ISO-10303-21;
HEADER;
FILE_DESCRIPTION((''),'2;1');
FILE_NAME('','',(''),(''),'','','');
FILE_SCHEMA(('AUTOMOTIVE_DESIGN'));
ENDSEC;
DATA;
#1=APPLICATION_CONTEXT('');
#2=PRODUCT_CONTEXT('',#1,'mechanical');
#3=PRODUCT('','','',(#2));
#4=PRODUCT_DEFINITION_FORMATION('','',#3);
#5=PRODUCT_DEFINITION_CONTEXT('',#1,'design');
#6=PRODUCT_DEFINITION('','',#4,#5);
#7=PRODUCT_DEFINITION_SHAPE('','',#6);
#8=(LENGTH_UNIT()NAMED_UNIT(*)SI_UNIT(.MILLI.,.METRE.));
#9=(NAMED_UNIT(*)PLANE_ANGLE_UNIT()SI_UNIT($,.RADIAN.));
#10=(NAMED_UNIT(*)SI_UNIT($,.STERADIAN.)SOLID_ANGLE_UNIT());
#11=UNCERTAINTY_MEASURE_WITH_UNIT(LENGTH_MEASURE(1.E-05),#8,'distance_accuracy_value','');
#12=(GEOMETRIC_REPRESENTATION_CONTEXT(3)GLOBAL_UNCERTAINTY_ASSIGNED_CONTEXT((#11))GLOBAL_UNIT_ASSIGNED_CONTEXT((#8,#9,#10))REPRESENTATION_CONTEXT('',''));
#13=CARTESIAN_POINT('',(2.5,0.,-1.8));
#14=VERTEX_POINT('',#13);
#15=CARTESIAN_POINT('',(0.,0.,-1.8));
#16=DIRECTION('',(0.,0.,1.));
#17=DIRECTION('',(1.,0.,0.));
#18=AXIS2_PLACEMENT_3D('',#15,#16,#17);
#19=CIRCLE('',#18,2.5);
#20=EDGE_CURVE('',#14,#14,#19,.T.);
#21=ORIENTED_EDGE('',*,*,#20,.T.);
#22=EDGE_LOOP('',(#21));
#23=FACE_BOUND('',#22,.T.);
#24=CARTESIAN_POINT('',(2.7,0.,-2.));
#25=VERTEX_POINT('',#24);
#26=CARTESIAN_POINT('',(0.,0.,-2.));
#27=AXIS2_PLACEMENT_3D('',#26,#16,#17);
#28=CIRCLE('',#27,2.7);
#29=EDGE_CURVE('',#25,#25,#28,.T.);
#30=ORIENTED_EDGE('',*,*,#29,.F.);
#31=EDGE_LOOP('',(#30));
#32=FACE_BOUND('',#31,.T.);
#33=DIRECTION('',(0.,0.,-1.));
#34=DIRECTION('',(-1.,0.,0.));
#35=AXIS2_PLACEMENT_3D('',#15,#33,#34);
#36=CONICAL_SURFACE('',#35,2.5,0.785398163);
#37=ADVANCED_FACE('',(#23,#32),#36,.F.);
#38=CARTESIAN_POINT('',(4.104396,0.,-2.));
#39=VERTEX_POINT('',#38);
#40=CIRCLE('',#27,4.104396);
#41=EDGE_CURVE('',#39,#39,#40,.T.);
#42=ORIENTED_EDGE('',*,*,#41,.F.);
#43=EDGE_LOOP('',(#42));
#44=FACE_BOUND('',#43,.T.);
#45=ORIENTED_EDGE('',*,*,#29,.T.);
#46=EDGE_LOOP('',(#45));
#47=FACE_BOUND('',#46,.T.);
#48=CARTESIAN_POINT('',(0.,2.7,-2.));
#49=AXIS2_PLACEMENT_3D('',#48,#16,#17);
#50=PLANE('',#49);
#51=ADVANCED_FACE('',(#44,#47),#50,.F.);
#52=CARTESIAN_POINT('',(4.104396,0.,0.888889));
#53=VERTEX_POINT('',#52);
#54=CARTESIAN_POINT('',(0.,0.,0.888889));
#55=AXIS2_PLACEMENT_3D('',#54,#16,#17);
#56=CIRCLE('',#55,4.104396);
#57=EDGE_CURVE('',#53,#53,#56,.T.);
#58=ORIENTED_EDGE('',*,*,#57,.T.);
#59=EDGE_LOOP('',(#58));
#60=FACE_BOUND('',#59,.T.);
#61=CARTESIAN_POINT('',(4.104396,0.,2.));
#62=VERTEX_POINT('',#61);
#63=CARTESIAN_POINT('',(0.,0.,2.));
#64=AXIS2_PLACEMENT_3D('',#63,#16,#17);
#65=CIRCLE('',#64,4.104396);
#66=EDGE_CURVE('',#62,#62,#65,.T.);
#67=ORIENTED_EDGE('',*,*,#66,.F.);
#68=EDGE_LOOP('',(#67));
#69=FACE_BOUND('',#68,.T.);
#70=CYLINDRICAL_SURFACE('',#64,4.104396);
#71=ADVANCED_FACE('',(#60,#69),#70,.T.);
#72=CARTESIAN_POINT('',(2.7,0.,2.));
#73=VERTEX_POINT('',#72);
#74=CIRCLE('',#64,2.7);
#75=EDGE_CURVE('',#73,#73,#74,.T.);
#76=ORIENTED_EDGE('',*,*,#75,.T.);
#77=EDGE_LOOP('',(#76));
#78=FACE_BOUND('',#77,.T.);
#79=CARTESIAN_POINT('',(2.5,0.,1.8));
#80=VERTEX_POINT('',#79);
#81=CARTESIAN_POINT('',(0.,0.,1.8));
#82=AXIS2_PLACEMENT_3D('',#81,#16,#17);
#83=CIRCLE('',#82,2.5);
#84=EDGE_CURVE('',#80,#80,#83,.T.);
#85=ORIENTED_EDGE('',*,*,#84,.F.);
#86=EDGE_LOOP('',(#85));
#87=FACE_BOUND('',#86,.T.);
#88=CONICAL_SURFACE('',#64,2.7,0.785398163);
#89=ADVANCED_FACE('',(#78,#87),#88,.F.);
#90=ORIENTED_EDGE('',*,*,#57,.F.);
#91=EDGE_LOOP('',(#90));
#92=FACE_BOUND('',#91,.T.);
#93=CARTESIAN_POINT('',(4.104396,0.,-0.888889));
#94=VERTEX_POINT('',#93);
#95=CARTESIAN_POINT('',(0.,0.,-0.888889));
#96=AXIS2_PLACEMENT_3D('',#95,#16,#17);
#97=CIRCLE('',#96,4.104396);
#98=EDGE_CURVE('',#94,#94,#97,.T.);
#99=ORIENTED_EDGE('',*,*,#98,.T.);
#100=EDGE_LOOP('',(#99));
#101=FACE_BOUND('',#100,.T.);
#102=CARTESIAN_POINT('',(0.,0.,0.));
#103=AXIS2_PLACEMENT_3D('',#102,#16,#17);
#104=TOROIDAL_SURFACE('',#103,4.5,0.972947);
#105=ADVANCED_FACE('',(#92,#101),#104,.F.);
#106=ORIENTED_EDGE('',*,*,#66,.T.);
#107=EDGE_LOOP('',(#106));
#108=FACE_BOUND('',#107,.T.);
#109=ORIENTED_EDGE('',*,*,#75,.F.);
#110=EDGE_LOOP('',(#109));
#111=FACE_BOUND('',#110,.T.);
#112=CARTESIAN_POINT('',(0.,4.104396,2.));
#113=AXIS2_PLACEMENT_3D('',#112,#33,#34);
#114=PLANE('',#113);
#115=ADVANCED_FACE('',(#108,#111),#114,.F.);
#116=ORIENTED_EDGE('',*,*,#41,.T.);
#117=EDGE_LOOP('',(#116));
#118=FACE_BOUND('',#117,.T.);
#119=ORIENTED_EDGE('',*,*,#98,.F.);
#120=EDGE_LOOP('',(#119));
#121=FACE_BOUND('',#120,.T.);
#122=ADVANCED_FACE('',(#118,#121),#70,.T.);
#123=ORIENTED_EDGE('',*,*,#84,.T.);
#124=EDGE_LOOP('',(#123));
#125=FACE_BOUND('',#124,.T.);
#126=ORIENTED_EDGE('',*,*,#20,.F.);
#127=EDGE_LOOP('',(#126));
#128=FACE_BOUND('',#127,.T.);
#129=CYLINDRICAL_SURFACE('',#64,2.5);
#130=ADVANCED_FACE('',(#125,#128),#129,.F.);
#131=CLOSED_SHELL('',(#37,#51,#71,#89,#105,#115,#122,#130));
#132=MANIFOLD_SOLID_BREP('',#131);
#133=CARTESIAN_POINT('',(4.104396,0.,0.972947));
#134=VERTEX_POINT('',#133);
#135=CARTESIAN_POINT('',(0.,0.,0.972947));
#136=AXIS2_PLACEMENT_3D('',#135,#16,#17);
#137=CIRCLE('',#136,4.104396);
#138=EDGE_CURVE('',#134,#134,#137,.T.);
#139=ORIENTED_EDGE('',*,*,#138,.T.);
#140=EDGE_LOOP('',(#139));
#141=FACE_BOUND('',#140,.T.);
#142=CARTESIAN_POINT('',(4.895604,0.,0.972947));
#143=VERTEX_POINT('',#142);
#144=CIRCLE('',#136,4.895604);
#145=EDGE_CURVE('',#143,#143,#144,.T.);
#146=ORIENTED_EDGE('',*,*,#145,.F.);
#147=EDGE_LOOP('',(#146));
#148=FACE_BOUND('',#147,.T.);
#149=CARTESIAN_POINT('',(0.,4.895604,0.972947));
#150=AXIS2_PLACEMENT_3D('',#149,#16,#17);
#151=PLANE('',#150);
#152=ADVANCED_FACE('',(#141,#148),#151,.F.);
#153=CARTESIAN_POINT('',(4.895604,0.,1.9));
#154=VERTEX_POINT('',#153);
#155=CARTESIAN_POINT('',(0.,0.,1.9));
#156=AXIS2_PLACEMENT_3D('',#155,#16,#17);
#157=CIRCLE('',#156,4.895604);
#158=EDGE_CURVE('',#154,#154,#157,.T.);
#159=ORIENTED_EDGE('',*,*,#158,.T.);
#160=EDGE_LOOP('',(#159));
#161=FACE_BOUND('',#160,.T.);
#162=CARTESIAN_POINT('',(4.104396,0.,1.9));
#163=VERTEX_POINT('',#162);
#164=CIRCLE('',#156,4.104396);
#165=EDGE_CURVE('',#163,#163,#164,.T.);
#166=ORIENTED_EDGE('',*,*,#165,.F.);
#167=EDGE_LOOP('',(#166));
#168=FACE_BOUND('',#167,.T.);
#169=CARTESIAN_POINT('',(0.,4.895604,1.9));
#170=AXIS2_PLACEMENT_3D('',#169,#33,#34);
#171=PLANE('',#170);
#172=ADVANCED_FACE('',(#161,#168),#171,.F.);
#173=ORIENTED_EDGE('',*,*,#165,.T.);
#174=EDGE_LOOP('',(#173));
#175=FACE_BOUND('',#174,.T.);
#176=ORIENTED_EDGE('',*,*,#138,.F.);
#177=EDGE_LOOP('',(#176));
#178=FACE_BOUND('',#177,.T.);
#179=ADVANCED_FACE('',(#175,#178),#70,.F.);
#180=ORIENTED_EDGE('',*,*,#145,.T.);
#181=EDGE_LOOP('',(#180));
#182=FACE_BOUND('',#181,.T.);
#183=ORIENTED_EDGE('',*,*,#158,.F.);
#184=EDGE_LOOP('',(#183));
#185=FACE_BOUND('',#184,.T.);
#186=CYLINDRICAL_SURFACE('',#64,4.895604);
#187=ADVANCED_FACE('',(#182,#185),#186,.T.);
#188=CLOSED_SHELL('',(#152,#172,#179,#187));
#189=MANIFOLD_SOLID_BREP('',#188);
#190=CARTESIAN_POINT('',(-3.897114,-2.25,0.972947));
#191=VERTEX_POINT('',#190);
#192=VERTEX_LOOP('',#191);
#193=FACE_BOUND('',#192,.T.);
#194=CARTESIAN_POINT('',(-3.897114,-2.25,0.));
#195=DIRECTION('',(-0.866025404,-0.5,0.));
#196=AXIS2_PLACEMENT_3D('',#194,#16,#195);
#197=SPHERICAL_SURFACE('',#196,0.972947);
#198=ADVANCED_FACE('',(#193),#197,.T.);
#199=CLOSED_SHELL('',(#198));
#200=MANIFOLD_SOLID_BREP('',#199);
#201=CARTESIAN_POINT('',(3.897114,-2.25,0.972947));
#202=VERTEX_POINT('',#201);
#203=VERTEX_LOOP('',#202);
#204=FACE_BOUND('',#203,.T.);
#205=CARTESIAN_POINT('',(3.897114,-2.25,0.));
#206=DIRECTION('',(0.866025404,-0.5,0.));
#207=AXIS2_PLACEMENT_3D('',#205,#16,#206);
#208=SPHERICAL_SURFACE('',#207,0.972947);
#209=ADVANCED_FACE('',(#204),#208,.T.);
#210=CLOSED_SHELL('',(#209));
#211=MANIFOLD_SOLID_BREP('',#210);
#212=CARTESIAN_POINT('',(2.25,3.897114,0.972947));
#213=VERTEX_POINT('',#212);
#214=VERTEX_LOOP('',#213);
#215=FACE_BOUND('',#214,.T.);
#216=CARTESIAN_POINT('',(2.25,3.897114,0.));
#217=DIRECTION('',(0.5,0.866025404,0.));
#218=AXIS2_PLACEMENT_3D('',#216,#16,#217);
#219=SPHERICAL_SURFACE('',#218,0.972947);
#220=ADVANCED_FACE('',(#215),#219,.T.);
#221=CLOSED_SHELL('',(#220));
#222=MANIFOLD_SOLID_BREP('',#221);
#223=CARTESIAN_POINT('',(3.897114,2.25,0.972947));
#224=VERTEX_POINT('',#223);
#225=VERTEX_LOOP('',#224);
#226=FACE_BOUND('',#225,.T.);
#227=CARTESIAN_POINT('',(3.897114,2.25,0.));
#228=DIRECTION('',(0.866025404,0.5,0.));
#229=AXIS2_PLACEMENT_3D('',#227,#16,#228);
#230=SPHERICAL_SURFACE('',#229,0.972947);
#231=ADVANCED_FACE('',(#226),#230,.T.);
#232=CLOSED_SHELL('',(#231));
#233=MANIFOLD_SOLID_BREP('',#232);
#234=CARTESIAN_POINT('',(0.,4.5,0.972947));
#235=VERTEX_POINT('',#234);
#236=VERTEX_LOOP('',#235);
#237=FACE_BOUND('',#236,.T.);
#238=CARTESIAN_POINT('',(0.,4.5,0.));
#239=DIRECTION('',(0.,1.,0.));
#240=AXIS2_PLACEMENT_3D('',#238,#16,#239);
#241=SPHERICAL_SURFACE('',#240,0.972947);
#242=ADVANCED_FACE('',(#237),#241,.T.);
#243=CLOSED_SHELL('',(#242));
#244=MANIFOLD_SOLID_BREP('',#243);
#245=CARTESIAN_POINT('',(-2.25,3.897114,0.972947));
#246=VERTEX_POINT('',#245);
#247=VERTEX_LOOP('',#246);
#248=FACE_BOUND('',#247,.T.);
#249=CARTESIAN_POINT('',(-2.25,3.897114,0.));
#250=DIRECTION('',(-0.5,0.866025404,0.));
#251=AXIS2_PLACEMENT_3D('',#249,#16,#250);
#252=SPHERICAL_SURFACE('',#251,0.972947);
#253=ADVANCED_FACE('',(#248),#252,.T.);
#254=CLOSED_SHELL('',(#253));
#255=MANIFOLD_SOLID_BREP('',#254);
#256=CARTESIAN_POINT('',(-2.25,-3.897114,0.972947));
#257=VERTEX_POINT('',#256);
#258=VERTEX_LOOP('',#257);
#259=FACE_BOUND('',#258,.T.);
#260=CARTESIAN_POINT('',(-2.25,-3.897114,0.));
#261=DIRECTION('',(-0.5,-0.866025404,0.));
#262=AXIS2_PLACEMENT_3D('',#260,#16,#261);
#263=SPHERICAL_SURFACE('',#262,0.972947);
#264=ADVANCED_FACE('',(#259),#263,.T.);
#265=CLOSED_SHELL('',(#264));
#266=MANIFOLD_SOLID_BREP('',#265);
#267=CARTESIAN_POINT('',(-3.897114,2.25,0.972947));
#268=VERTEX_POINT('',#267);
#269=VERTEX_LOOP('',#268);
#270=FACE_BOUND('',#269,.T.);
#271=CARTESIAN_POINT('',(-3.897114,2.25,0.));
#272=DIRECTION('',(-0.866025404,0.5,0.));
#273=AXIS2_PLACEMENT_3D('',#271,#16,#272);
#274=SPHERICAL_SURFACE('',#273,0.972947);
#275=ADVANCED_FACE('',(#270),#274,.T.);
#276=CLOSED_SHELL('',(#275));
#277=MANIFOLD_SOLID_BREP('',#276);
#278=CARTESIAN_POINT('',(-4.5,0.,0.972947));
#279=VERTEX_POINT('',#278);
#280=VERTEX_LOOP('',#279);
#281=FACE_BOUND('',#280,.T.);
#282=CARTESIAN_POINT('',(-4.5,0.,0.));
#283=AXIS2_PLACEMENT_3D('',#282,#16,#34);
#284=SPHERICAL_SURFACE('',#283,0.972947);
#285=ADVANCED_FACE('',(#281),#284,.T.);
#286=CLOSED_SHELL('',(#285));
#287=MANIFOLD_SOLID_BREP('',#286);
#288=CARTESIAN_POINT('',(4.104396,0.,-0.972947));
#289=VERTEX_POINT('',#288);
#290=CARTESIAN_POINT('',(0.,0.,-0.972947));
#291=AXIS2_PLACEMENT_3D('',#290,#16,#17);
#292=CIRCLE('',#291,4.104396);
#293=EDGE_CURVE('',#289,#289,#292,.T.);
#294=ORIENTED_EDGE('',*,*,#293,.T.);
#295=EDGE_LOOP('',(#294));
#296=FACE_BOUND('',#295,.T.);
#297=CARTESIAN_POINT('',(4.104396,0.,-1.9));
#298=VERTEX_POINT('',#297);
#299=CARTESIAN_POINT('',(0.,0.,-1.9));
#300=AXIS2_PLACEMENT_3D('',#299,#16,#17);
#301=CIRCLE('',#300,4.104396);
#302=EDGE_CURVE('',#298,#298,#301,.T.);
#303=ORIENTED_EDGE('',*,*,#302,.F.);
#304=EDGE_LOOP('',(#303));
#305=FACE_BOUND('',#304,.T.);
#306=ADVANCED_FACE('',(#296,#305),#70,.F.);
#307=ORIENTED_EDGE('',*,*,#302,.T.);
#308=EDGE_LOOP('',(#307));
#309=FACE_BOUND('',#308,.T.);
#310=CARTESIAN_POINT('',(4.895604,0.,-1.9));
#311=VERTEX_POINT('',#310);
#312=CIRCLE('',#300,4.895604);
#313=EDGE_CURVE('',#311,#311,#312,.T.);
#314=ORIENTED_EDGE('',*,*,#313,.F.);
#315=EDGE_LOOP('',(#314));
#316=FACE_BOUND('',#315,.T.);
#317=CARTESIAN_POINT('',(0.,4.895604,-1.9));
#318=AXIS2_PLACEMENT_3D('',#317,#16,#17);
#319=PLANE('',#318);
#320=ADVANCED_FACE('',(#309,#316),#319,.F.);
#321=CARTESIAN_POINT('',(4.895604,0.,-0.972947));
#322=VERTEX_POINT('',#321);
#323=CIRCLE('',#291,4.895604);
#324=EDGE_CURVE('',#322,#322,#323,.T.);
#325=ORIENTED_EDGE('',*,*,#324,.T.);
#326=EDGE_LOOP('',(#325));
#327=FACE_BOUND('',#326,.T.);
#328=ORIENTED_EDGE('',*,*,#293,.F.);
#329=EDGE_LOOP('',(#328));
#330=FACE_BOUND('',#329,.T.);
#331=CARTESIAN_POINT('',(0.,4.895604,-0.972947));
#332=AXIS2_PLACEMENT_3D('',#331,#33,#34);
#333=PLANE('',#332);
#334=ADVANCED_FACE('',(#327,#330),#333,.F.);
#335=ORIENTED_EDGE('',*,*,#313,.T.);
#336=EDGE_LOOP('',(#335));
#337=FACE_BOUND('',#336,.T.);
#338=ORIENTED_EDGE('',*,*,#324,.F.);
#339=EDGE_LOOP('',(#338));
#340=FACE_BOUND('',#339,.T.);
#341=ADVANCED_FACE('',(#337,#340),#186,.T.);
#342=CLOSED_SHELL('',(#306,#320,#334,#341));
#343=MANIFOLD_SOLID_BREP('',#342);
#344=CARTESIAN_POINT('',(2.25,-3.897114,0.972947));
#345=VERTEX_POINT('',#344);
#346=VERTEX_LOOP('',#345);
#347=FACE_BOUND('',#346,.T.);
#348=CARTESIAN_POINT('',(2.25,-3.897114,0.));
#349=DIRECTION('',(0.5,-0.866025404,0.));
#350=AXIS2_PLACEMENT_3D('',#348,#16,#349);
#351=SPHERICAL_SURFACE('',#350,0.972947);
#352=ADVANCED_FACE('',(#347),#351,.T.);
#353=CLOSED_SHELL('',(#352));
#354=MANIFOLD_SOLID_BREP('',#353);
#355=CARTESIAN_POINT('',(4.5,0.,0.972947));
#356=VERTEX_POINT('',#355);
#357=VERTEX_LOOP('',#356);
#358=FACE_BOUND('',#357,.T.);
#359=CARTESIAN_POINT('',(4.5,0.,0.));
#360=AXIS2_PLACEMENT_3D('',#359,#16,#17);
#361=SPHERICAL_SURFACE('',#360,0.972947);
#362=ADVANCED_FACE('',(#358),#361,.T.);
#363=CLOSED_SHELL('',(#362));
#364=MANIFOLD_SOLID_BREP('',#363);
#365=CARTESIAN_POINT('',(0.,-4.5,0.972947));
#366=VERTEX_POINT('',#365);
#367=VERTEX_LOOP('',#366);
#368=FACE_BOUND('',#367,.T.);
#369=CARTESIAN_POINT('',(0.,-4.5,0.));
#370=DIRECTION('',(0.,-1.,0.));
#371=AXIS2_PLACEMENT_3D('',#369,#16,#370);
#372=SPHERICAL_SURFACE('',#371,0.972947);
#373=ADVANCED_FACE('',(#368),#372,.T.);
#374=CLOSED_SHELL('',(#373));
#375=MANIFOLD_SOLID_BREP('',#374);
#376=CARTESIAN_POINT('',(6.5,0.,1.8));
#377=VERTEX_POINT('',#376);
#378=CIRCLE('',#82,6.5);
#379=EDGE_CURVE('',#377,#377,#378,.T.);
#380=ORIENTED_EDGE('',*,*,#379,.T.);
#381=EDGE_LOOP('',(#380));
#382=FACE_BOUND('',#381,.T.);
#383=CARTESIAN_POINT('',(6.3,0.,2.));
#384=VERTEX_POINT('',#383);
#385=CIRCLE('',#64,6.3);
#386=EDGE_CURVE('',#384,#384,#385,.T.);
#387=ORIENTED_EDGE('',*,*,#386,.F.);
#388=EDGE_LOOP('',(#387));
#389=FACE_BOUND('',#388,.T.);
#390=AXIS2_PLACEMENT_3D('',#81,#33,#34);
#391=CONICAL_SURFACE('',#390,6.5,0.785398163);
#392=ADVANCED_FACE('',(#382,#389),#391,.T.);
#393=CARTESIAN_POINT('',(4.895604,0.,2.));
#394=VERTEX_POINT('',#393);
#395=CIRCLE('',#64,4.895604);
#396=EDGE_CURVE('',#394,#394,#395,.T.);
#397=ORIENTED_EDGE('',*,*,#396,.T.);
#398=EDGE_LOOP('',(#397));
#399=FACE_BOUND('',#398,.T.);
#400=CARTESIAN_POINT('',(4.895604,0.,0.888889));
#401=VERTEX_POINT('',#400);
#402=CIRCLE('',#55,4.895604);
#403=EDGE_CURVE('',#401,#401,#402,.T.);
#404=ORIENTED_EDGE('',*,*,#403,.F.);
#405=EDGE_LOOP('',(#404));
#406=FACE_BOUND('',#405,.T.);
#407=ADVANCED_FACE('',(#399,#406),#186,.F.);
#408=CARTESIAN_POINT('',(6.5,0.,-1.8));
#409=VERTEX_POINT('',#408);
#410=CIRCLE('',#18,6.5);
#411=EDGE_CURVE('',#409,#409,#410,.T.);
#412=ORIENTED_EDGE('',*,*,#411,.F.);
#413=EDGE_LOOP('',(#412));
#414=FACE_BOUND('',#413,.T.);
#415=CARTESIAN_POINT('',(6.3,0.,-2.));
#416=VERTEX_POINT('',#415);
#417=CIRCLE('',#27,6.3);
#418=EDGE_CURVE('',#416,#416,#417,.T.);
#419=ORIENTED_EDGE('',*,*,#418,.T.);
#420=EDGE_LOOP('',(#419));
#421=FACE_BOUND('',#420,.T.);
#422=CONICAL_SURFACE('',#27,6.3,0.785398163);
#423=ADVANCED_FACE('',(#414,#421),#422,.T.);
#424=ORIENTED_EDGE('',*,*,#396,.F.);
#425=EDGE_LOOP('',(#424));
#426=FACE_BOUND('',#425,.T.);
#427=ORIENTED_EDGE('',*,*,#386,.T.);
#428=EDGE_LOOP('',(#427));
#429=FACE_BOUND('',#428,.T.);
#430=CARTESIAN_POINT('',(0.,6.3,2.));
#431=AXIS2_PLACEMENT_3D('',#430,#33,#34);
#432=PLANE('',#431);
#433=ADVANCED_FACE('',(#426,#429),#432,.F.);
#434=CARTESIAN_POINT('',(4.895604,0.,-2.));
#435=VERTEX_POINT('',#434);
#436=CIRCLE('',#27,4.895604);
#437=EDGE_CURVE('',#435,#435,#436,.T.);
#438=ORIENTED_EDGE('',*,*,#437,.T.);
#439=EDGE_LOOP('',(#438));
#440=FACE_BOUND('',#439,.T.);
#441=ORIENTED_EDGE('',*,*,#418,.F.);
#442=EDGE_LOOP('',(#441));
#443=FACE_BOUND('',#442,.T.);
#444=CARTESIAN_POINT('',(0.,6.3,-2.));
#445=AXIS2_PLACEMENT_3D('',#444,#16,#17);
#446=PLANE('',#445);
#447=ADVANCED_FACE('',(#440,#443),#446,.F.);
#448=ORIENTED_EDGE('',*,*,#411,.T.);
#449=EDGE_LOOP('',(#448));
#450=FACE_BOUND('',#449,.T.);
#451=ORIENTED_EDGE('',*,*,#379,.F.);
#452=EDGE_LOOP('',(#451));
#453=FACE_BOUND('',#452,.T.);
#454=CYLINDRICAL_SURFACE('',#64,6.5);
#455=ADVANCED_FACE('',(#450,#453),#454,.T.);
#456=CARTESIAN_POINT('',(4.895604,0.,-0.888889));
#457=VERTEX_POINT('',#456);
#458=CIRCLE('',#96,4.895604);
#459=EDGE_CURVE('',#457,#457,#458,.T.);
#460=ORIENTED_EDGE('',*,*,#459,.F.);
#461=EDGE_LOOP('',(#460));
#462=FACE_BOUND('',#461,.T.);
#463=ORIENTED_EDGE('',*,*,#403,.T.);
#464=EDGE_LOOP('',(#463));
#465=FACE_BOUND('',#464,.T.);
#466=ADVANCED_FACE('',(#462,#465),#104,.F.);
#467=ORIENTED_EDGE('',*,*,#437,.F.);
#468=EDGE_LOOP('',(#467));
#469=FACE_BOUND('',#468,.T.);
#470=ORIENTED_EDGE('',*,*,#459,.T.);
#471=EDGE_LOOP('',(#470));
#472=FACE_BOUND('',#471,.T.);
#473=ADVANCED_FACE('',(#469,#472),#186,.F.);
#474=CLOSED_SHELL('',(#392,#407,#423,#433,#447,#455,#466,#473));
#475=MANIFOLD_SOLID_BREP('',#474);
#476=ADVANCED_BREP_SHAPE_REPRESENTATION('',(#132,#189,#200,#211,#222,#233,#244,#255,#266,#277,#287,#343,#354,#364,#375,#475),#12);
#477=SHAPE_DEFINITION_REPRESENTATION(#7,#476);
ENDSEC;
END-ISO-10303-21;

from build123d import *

# Parameters (mm, degrees)
CIRPATTERN1_COUNT = 12
SKETCH5_W         = 0.927052779
SKETCH5_H         = 0.791208792


with BuildPart() as part:
    # Sketch1 → Revolve1 (revolve)
    with BuildSketch(Plane(origin=(0, 0, 0), x_dir=(0, 0, -1), z_dir=(1, 0, 0)), mode=Mode.PRIVATE) as revolve1_sk:
        with BuildLine():
            Line((1.8, 6.5), (-1.8, 6.5))
            Line((-1.8, 6.5), (-2, 6.3))
            Line((-2, 6.3), (-2, 4.895604396))
            Line((-2, 4.895604396), (-0.888888889, 4.895604396))
            ThreePointArc((-0.888888889, 4.895604396), (0, 5.472947221), (0.888888889, 4.895604396))
            Line((0.888888889, 4.895604396), (2, 4.895604396))
            Line((2, 4.895604396), (2, 6.3))
            Line((2, 6.3), (1.8, 6.5))
        make_face()
    revolve(revolve1_sk.sketch.rotate(Axis((0, 0, 2), (0, 0, -1)), 90), axis=Axis((0, 0, 2), (0, 0, -1)))


with BuildPart() as body_2:
    # Sketch3 → Revolve3 (revolve)
    with BuildSketch(Plane(origin=(0, 0, 0), x_dir=(0, 0, -1), z_dir=(1, 0, 0)), mode=Mode.PRIVATE) as revolve3_sk:
        with BuildLine():
            Line((-2, 4.104395604), (-0.888888889, 4.104395604))
            ThreePointArc((-0.888888889, 4.104395604), (0, 3.527052779), (0.888888889, 4.104395604))
            Line((0.888888889, 4.104395604), (2, 4.104395604))
            Line((2, 4.104395604), (2, 2.7))
            Line((2, 2.7), (1.8, 2.5))
            Line((1.8, 2.5), (-1.8, 2.5))
            Line((-1.8, 2.5), (-2, 2.7))
            Line((-2, 2.7), (-2, 4.104395604))
        make_face()
    revolve(revolve3_sk.sketch.rotate(Axis((0, 0, 2), (0, 0, -1)), 90), axis=Axis((0, 0, 2), (0, 0, -1)))


with BuildPart() as body_3:
    # Sketch4 → Revolve4 (revolve)
    with BuildSketch(Plane(origin=(0, 0, 0), x_dir=(0, 0, -1), z_dir=(1, 0, 0))):
        with BuildLine():
            Line((-0.972947221, 4.5), (0.972947221, 4.5))
            ThreePointArc((0.972947221, 4.5), (0, 5.472947221), (-0.972947221, 4.5))
        make_face()
    revolve(axis=Axis((0, 4.5, 0.972947221), (0, 0, -1)))


with BuildPart() as cirpattern1_1:
    # CirPattern1: pattern copy
    add(body_3.part.rotate(Axis((0, 0, 0), (0, 0, 1)), 1 * 360 / CIRPATTERN1_COUNT))


with BuildPart() as cirpattern1_2:
    # CirPattern1: pattern copy
    add(body_3.part.rotate(Axis((0, 0, 0), (0, 0, 1)), 2 * 360 / CIRPATTERN1_COUNT))


with BuildPart() as cirpattern1_3:
    # CirPattern1: pattern copy
    add(body_3.part.rotate(Axis((0, 0, 0), (0, 0, 1)), 3 * 360 / CIRPATTERN1_COUNT))


with BuildPart() as cirpattern1_4:
    # CirPattern1: pattern copy
    add(body_3.part.rotate(Axis((0, 0, 0), (0, 0, 1)), 4 * 360 / CIRPATTERN1_COUNT))


with BuildPart() as cirpattern1_5:
    # CirPattern1: pattern copy
    add(body_3.part.rotate(Axis((0, 0, 0), (0, 0, 1)), 5 * 360 / CIRPATTERN1_COUNT))


with BuildPart() as cirpattern1_6:
    # CirPattern1: pattern copy
    add(body_3.part.rotate(Axis((0, 0, 0), (0, 0, 1)), 6 * 360 / CIRPATTERN1_COUNT))


with BuildPart() as cirpattern1_7:
    # CirPattern1: pattern copy
    add(body_3.part.rotate(Axis((0, 0, 0), (0, 0, 1)), 7 * 360 / CIRPATTERN1_COUNT))


with BuildPart() as cirpattern1_8:
    # CirPattern1: pattern copy
    add(body_3.part.rotate(Axis((0, 0, 0), (0, 0, 1)), 8 * 360 / CIRPATTERN1_COUNT))


with BuildPart() as cirpattern1_9:
    # CirPattern1: pattern copy
    add(body_3.part.rotate(Axis((0, 0, 0), (0, 0, 1)), 9 * 360 / CIRPATTERN1_COUNT))


with BuildPart() as cirpattern1_10:
    # CirPattern1: pattern copy
    add(body_3.part.rotate(Axis((0, 0, 0), (0, 0, 1)), 10 * 360 / CIRPATTERN1_COUNT))


with BuildPart() as cirpattern1_11:
    # CirPattern1: pattern copy
    add(body_3.part.rotate(Axis((0, 0, 0), (0, 0, 1)), 11 * 360 / CIRPATTERN1_COUNT))


with BuildPart() as body_15:
    # Sketch5 → Revolve5 (revolve)
    with BuildSketch(Plane(origin=(0, 0, 0), x_dir=(0, 0, -1), z_dir=(1, 0, 0)), mode=Mode.PRIVATE) as revolve5_sk:
        with Locations((-1.436473611, 4.5)):
            Rectangle(SKETCH5_W, SKETCH5_H)
        with Locations((1.436473611, 4.5)):
            Rectangle(SKETCH5_W, SKETCH5_H)
    revolve(revolve5_sk.sketch.rotate(Axis((0, 0, 2), (0, 0, -1)), 90), axis=Axis((0, 0, 2), (0, 0, -1)))


solid = Compound([part.part, body_2.part, body_3.part, cirpattern1_1.part, cirpattern1_2.part, cirpattern1_3.part, cirpattern1_4.part, cirpattern1_5.part, cirpattern1_6.part, cirpattern1_7.part, cirpattern1_8.part, cirpattern1_9.part, cirpattern1_10.part, cirpattern1_11.part, body_15.part])
